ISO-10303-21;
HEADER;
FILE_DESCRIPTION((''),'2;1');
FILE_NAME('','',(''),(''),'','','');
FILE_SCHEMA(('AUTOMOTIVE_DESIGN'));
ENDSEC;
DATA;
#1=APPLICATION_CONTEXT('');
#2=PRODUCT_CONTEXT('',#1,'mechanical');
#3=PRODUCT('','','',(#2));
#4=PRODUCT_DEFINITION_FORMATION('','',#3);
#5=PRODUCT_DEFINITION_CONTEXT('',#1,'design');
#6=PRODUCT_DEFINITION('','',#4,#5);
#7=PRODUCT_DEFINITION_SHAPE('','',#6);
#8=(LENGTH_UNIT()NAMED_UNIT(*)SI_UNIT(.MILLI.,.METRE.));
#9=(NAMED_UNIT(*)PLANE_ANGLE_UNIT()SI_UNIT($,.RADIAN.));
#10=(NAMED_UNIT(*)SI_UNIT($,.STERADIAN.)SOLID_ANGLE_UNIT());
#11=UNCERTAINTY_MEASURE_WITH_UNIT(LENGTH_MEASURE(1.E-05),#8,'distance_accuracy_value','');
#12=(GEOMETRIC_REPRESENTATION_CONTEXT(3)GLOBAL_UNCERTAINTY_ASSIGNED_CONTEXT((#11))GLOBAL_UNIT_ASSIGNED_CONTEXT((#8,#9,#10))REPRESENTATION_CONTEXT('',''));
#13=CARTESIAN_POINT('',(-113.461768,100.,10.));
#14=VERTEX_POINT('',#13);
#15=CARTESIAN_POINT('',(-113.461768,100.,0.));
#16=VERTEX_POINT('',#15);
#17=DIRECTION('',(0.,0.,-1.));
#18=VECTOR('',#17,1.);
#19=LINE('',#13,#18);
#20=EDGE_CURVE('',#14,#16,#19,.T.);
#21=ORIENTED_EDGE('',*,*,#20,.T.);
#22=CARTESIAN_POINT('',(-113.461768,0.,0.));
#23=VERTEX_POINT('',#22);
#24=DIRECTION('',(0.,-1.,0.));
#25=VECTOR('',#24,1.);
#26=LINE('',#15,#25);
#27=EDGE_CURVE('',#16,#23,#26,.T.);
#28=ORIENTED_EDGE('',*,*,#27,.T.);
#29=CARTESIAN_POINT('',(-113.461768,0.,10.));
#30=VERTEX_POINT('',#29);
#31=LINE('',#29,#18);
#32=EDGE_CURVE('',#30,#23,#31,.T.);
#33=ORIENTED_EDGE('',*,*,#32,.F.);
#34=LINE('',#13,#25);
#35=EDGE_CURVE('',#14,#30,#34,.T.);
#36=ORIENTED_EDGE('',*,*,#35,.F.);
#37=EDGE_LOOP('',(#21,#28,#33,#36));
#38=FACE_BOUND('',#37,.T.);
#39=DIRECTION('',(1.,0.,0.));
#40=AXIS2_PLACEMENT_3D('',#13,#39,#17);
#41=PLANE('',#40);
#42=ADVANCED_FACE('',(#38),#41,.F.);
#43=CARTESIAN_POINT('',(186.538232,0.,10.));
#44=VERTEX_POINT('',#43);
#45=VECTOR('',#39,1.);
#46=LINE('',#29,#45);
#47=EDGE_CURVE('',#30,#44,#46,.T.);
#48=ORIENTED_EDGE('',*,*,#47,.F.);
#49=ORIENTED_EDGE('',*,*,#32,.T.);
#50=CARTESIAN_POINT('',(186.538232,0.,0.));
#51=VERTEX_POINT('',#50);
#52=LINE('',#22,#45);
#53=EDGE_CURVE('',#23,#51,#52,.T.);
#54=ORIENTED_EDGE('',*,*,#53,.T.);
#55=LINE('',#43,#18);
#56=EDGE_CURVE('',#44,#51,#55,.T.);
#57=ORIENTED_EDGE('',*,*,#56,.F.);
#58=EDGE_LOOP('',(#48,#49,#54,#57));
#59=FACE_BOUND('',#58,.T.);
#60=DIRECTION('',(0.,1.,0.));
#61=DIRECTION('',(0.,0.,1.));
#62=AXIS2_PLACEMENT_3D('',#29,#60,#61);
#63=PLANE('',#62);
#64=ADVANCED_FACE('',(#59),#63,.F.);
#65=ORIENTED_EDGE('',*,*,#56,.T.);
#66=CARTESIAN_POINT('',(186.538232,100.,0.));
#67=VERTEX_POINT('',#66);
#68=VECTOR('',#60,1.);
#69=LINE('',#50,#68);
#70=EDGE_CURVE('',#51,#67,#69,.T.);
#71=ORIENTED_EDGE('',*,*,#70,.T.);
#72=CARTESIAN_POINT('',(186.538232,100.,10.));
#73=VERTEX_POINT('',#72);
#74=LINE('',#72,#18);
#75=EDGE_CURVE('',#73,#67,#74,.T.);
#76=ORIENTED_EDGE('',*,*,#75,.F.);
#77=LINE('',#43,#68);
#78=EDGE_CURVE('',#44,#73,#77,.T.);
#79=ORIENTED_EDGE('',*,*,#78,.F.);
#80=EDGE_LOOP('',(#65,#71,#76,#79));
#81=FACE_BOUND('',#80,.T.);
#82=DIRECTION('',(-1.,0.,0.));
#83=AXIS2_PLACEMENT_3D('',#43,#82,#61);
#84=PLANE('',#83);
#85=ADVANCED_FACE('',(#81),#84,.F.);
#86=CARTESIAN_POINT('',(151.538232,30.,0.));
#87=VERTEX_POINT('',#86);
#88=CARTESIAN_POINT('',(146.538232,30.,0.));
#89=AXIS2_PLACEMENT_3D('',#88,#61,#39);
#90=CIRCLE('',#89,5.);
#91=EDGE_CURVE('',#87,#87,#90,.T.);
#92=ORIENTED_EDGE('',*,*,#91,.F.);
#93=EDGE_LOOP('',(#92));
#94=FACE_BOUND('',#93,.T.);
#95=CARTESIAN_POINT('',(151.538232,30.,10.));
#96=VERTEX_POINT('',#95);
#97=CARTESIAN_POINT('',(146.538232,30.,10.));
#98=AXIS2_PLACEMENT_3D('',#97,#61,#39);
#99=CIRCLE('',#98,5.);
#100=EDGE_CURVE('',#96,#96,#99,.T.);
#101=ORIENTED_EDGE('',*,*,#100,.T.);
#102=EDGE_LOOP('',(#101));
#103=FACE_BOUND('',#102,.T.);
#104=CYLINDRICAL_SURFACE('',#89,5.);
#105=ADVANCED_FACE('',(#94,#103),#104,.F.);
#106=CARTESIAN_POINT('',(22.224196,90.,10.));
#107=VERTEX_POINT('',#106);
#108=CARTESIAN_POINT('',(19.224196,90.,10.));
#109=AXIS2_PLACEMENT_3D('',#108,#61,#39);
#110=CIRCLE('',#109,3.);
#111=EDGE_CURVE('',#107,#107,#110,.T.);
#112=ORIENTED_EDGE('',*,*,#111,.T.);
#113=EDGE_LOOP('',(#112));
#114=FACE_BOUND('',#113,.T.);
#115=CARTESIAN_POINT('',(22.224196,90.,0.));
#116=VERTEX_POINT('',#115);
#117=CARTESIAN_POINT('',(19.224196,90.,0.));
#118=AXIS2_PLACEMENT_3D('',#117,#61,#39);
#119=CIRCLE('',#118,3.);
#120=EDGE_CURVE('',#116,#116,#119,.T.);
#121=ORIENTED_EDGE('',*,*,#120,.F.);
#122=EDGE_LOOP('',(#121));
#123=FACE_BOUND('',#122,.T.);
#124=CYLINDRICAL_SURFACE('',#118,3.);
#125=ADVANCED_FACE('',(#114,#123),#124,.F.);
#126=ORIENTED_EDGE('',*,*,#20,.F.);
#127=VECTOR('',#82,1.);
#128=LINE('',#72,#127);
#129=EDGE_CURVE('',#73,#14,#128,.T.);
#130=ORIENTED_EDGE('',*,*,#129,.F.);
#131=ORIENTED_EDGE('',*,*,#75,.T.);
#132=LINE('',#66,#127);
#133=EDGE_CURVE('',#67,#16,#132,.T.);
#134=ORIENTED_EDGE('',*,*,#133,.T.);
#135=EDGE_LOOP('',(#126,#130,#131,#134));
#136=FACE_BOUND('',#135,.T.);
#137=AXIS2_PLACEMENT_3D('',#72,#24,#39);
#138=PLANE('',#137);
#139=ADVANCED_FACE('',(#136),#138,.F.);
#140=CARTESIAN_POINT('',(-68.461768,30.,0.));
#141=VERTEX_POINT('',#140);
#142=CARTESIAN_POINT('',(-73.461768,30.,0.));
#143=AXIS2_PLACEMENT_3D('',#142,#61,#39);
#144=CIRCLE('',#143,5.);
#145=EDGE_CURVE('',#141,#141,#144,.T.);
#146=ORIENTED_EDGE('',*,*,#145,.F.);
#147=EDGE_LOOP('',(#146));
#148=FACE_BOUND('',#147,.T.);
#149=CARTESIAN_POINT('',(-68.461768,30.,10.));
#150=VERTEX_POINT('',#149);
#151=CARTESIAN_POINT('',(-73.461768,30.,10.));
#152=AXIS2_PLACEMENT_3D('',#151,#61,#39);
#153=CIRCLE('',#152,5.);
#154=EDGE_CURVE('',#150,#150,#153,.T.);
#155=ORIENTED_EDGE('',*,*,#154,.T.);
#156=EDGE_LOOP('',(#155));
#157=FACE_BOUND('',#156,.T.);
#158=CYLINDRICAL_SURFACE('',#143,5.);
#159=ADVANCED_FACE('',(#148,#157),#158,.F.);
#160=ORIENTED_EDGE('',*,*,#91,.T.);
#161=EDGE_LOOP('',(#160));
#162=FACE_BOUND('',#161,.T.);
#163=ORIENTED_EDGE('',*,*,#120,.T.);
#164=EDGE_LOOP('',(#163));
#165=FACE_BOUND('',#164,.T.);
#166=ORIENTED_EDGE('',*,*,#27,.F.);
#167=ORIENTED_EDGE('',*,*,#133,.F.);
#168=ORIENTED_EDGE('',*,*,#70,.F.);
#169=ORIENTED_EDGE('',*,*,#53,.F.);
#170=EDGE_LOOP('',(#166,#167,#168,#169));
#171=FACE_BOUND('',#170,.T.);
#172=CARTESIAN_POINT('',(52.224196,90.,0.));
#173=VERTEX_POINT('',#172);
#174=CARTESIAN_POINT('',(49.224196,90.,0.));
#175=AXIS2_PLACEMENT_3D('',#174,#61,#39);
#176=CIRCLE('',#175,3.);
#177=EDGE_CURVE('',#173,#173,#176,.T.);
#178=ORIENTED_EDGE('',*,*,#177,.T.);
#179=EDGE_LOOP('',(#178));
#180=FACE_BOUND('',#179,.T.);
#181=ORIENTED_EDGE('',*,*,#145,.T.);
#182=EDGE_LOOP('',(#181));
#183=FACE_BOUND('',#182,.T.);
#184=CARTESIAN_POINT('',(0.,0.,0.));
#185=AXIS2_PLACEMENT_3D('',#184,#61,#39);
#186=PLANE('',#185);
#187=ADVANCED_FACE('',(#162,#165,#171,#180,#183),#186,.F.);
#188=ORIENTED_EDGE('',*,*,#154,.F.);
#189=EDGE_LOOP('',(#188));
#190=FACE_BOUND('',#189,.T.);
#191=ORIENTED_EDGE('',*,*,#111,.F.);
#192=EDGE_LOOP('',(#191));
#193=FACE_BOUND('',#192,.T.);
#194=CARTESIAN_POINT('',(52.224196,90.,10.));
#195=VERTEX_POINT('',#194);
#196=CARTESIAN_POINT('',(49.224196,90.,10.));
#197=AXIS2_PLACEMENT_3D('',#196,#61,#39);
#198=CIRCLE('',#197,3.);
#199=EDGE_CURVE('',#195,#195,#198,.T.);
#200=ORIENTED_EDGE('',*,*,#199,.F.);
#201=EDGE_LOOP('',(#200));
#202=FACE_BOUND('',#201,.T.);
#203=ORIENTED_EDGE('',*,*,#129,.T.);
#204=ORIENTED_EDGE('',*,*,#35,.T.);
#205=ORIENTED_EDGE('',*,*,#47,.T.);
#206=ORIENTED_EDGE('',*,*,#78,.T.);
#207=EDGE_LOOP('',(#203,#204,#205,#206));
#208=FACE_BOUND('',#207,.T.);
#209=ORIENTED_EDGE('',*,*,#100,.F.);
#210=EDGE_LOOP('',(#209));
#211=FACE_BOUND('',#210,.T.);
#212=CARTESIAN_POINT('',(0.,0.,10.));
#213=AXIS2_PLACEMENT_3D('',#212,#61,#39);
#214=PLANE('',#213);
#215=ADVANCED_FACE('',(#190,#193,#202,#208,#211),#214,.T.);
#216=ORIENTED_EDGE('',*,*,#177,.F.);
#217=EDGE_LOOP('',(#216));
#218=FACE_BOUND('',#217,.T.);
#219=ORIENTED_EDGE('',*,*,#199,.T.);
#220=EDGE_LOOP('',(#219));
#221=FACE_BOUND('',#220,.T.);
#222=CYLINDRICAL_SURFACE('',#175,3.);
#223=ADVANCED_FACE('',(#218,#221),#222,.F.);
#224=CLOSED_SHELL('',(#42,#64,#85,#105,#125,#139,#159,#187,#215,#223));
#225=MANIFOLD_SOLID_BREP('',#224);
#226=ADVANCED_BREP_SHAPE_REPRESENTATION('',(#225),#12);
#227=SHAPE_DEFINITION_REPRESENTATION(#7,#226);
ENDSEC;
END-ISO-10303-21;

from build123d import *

# Parameters (mm, degrees)
ESQUISSE1_W             = 300
ESQUISSE1_H             = 100
BOSS_EXTRU_1_DEPTH      = 10
ESQUISSE2_R             = 3
ENL_V_MAT_EXTRU_1_DEPTH = 212.887970305
ESQUISSE3_R             = 5
ENL_V_MAT_EXTRU_2_DEPTH = 212.887970305


with BuildPart() as part:
    # Esquisse1 → Boss.-Extru.1 (new body)
    with BuildSketch(Plane.XY):
        with Locations((36.538231899, 50)):
            Rectangle(ESQUISSE1_W, ESQUISSE1_H)
    extrude(amount=BOSS_EXTRU_1_DEPTH)

    # Esquisse2 → Enlèv. mat.-Extru.1 (cut, through all)
    with BuildSketch(Plane.XY.offset(10)):
        with Locations((49.22419633, 90)):
            Circle(ESQUISSE2_R)
        with Locations((19.22419633, 90)):
            Circle(ESQUISSE2_R)
    extrude(amount=-ENL_V_MAT_EXTRU_1_DEPTH, mode=Mode.SUBTRACT)

    # Esquisse3 → Enlèv. mat.-Extru.2 (cut, through all)
    with BuildSketch(Plane.XY.offset(10)):
        with Locations((-73.461768101, 30)):
            Circle(ESQUISSE3_R)
        with Locations((146.538231899, 30)):
            Circle(ESQUISSE3_R)
    extrude(amount=-ENL_V_MAT_EXTRU_2_DEPTH, mode=Mode.SUBTRACT)


solid = part.part
